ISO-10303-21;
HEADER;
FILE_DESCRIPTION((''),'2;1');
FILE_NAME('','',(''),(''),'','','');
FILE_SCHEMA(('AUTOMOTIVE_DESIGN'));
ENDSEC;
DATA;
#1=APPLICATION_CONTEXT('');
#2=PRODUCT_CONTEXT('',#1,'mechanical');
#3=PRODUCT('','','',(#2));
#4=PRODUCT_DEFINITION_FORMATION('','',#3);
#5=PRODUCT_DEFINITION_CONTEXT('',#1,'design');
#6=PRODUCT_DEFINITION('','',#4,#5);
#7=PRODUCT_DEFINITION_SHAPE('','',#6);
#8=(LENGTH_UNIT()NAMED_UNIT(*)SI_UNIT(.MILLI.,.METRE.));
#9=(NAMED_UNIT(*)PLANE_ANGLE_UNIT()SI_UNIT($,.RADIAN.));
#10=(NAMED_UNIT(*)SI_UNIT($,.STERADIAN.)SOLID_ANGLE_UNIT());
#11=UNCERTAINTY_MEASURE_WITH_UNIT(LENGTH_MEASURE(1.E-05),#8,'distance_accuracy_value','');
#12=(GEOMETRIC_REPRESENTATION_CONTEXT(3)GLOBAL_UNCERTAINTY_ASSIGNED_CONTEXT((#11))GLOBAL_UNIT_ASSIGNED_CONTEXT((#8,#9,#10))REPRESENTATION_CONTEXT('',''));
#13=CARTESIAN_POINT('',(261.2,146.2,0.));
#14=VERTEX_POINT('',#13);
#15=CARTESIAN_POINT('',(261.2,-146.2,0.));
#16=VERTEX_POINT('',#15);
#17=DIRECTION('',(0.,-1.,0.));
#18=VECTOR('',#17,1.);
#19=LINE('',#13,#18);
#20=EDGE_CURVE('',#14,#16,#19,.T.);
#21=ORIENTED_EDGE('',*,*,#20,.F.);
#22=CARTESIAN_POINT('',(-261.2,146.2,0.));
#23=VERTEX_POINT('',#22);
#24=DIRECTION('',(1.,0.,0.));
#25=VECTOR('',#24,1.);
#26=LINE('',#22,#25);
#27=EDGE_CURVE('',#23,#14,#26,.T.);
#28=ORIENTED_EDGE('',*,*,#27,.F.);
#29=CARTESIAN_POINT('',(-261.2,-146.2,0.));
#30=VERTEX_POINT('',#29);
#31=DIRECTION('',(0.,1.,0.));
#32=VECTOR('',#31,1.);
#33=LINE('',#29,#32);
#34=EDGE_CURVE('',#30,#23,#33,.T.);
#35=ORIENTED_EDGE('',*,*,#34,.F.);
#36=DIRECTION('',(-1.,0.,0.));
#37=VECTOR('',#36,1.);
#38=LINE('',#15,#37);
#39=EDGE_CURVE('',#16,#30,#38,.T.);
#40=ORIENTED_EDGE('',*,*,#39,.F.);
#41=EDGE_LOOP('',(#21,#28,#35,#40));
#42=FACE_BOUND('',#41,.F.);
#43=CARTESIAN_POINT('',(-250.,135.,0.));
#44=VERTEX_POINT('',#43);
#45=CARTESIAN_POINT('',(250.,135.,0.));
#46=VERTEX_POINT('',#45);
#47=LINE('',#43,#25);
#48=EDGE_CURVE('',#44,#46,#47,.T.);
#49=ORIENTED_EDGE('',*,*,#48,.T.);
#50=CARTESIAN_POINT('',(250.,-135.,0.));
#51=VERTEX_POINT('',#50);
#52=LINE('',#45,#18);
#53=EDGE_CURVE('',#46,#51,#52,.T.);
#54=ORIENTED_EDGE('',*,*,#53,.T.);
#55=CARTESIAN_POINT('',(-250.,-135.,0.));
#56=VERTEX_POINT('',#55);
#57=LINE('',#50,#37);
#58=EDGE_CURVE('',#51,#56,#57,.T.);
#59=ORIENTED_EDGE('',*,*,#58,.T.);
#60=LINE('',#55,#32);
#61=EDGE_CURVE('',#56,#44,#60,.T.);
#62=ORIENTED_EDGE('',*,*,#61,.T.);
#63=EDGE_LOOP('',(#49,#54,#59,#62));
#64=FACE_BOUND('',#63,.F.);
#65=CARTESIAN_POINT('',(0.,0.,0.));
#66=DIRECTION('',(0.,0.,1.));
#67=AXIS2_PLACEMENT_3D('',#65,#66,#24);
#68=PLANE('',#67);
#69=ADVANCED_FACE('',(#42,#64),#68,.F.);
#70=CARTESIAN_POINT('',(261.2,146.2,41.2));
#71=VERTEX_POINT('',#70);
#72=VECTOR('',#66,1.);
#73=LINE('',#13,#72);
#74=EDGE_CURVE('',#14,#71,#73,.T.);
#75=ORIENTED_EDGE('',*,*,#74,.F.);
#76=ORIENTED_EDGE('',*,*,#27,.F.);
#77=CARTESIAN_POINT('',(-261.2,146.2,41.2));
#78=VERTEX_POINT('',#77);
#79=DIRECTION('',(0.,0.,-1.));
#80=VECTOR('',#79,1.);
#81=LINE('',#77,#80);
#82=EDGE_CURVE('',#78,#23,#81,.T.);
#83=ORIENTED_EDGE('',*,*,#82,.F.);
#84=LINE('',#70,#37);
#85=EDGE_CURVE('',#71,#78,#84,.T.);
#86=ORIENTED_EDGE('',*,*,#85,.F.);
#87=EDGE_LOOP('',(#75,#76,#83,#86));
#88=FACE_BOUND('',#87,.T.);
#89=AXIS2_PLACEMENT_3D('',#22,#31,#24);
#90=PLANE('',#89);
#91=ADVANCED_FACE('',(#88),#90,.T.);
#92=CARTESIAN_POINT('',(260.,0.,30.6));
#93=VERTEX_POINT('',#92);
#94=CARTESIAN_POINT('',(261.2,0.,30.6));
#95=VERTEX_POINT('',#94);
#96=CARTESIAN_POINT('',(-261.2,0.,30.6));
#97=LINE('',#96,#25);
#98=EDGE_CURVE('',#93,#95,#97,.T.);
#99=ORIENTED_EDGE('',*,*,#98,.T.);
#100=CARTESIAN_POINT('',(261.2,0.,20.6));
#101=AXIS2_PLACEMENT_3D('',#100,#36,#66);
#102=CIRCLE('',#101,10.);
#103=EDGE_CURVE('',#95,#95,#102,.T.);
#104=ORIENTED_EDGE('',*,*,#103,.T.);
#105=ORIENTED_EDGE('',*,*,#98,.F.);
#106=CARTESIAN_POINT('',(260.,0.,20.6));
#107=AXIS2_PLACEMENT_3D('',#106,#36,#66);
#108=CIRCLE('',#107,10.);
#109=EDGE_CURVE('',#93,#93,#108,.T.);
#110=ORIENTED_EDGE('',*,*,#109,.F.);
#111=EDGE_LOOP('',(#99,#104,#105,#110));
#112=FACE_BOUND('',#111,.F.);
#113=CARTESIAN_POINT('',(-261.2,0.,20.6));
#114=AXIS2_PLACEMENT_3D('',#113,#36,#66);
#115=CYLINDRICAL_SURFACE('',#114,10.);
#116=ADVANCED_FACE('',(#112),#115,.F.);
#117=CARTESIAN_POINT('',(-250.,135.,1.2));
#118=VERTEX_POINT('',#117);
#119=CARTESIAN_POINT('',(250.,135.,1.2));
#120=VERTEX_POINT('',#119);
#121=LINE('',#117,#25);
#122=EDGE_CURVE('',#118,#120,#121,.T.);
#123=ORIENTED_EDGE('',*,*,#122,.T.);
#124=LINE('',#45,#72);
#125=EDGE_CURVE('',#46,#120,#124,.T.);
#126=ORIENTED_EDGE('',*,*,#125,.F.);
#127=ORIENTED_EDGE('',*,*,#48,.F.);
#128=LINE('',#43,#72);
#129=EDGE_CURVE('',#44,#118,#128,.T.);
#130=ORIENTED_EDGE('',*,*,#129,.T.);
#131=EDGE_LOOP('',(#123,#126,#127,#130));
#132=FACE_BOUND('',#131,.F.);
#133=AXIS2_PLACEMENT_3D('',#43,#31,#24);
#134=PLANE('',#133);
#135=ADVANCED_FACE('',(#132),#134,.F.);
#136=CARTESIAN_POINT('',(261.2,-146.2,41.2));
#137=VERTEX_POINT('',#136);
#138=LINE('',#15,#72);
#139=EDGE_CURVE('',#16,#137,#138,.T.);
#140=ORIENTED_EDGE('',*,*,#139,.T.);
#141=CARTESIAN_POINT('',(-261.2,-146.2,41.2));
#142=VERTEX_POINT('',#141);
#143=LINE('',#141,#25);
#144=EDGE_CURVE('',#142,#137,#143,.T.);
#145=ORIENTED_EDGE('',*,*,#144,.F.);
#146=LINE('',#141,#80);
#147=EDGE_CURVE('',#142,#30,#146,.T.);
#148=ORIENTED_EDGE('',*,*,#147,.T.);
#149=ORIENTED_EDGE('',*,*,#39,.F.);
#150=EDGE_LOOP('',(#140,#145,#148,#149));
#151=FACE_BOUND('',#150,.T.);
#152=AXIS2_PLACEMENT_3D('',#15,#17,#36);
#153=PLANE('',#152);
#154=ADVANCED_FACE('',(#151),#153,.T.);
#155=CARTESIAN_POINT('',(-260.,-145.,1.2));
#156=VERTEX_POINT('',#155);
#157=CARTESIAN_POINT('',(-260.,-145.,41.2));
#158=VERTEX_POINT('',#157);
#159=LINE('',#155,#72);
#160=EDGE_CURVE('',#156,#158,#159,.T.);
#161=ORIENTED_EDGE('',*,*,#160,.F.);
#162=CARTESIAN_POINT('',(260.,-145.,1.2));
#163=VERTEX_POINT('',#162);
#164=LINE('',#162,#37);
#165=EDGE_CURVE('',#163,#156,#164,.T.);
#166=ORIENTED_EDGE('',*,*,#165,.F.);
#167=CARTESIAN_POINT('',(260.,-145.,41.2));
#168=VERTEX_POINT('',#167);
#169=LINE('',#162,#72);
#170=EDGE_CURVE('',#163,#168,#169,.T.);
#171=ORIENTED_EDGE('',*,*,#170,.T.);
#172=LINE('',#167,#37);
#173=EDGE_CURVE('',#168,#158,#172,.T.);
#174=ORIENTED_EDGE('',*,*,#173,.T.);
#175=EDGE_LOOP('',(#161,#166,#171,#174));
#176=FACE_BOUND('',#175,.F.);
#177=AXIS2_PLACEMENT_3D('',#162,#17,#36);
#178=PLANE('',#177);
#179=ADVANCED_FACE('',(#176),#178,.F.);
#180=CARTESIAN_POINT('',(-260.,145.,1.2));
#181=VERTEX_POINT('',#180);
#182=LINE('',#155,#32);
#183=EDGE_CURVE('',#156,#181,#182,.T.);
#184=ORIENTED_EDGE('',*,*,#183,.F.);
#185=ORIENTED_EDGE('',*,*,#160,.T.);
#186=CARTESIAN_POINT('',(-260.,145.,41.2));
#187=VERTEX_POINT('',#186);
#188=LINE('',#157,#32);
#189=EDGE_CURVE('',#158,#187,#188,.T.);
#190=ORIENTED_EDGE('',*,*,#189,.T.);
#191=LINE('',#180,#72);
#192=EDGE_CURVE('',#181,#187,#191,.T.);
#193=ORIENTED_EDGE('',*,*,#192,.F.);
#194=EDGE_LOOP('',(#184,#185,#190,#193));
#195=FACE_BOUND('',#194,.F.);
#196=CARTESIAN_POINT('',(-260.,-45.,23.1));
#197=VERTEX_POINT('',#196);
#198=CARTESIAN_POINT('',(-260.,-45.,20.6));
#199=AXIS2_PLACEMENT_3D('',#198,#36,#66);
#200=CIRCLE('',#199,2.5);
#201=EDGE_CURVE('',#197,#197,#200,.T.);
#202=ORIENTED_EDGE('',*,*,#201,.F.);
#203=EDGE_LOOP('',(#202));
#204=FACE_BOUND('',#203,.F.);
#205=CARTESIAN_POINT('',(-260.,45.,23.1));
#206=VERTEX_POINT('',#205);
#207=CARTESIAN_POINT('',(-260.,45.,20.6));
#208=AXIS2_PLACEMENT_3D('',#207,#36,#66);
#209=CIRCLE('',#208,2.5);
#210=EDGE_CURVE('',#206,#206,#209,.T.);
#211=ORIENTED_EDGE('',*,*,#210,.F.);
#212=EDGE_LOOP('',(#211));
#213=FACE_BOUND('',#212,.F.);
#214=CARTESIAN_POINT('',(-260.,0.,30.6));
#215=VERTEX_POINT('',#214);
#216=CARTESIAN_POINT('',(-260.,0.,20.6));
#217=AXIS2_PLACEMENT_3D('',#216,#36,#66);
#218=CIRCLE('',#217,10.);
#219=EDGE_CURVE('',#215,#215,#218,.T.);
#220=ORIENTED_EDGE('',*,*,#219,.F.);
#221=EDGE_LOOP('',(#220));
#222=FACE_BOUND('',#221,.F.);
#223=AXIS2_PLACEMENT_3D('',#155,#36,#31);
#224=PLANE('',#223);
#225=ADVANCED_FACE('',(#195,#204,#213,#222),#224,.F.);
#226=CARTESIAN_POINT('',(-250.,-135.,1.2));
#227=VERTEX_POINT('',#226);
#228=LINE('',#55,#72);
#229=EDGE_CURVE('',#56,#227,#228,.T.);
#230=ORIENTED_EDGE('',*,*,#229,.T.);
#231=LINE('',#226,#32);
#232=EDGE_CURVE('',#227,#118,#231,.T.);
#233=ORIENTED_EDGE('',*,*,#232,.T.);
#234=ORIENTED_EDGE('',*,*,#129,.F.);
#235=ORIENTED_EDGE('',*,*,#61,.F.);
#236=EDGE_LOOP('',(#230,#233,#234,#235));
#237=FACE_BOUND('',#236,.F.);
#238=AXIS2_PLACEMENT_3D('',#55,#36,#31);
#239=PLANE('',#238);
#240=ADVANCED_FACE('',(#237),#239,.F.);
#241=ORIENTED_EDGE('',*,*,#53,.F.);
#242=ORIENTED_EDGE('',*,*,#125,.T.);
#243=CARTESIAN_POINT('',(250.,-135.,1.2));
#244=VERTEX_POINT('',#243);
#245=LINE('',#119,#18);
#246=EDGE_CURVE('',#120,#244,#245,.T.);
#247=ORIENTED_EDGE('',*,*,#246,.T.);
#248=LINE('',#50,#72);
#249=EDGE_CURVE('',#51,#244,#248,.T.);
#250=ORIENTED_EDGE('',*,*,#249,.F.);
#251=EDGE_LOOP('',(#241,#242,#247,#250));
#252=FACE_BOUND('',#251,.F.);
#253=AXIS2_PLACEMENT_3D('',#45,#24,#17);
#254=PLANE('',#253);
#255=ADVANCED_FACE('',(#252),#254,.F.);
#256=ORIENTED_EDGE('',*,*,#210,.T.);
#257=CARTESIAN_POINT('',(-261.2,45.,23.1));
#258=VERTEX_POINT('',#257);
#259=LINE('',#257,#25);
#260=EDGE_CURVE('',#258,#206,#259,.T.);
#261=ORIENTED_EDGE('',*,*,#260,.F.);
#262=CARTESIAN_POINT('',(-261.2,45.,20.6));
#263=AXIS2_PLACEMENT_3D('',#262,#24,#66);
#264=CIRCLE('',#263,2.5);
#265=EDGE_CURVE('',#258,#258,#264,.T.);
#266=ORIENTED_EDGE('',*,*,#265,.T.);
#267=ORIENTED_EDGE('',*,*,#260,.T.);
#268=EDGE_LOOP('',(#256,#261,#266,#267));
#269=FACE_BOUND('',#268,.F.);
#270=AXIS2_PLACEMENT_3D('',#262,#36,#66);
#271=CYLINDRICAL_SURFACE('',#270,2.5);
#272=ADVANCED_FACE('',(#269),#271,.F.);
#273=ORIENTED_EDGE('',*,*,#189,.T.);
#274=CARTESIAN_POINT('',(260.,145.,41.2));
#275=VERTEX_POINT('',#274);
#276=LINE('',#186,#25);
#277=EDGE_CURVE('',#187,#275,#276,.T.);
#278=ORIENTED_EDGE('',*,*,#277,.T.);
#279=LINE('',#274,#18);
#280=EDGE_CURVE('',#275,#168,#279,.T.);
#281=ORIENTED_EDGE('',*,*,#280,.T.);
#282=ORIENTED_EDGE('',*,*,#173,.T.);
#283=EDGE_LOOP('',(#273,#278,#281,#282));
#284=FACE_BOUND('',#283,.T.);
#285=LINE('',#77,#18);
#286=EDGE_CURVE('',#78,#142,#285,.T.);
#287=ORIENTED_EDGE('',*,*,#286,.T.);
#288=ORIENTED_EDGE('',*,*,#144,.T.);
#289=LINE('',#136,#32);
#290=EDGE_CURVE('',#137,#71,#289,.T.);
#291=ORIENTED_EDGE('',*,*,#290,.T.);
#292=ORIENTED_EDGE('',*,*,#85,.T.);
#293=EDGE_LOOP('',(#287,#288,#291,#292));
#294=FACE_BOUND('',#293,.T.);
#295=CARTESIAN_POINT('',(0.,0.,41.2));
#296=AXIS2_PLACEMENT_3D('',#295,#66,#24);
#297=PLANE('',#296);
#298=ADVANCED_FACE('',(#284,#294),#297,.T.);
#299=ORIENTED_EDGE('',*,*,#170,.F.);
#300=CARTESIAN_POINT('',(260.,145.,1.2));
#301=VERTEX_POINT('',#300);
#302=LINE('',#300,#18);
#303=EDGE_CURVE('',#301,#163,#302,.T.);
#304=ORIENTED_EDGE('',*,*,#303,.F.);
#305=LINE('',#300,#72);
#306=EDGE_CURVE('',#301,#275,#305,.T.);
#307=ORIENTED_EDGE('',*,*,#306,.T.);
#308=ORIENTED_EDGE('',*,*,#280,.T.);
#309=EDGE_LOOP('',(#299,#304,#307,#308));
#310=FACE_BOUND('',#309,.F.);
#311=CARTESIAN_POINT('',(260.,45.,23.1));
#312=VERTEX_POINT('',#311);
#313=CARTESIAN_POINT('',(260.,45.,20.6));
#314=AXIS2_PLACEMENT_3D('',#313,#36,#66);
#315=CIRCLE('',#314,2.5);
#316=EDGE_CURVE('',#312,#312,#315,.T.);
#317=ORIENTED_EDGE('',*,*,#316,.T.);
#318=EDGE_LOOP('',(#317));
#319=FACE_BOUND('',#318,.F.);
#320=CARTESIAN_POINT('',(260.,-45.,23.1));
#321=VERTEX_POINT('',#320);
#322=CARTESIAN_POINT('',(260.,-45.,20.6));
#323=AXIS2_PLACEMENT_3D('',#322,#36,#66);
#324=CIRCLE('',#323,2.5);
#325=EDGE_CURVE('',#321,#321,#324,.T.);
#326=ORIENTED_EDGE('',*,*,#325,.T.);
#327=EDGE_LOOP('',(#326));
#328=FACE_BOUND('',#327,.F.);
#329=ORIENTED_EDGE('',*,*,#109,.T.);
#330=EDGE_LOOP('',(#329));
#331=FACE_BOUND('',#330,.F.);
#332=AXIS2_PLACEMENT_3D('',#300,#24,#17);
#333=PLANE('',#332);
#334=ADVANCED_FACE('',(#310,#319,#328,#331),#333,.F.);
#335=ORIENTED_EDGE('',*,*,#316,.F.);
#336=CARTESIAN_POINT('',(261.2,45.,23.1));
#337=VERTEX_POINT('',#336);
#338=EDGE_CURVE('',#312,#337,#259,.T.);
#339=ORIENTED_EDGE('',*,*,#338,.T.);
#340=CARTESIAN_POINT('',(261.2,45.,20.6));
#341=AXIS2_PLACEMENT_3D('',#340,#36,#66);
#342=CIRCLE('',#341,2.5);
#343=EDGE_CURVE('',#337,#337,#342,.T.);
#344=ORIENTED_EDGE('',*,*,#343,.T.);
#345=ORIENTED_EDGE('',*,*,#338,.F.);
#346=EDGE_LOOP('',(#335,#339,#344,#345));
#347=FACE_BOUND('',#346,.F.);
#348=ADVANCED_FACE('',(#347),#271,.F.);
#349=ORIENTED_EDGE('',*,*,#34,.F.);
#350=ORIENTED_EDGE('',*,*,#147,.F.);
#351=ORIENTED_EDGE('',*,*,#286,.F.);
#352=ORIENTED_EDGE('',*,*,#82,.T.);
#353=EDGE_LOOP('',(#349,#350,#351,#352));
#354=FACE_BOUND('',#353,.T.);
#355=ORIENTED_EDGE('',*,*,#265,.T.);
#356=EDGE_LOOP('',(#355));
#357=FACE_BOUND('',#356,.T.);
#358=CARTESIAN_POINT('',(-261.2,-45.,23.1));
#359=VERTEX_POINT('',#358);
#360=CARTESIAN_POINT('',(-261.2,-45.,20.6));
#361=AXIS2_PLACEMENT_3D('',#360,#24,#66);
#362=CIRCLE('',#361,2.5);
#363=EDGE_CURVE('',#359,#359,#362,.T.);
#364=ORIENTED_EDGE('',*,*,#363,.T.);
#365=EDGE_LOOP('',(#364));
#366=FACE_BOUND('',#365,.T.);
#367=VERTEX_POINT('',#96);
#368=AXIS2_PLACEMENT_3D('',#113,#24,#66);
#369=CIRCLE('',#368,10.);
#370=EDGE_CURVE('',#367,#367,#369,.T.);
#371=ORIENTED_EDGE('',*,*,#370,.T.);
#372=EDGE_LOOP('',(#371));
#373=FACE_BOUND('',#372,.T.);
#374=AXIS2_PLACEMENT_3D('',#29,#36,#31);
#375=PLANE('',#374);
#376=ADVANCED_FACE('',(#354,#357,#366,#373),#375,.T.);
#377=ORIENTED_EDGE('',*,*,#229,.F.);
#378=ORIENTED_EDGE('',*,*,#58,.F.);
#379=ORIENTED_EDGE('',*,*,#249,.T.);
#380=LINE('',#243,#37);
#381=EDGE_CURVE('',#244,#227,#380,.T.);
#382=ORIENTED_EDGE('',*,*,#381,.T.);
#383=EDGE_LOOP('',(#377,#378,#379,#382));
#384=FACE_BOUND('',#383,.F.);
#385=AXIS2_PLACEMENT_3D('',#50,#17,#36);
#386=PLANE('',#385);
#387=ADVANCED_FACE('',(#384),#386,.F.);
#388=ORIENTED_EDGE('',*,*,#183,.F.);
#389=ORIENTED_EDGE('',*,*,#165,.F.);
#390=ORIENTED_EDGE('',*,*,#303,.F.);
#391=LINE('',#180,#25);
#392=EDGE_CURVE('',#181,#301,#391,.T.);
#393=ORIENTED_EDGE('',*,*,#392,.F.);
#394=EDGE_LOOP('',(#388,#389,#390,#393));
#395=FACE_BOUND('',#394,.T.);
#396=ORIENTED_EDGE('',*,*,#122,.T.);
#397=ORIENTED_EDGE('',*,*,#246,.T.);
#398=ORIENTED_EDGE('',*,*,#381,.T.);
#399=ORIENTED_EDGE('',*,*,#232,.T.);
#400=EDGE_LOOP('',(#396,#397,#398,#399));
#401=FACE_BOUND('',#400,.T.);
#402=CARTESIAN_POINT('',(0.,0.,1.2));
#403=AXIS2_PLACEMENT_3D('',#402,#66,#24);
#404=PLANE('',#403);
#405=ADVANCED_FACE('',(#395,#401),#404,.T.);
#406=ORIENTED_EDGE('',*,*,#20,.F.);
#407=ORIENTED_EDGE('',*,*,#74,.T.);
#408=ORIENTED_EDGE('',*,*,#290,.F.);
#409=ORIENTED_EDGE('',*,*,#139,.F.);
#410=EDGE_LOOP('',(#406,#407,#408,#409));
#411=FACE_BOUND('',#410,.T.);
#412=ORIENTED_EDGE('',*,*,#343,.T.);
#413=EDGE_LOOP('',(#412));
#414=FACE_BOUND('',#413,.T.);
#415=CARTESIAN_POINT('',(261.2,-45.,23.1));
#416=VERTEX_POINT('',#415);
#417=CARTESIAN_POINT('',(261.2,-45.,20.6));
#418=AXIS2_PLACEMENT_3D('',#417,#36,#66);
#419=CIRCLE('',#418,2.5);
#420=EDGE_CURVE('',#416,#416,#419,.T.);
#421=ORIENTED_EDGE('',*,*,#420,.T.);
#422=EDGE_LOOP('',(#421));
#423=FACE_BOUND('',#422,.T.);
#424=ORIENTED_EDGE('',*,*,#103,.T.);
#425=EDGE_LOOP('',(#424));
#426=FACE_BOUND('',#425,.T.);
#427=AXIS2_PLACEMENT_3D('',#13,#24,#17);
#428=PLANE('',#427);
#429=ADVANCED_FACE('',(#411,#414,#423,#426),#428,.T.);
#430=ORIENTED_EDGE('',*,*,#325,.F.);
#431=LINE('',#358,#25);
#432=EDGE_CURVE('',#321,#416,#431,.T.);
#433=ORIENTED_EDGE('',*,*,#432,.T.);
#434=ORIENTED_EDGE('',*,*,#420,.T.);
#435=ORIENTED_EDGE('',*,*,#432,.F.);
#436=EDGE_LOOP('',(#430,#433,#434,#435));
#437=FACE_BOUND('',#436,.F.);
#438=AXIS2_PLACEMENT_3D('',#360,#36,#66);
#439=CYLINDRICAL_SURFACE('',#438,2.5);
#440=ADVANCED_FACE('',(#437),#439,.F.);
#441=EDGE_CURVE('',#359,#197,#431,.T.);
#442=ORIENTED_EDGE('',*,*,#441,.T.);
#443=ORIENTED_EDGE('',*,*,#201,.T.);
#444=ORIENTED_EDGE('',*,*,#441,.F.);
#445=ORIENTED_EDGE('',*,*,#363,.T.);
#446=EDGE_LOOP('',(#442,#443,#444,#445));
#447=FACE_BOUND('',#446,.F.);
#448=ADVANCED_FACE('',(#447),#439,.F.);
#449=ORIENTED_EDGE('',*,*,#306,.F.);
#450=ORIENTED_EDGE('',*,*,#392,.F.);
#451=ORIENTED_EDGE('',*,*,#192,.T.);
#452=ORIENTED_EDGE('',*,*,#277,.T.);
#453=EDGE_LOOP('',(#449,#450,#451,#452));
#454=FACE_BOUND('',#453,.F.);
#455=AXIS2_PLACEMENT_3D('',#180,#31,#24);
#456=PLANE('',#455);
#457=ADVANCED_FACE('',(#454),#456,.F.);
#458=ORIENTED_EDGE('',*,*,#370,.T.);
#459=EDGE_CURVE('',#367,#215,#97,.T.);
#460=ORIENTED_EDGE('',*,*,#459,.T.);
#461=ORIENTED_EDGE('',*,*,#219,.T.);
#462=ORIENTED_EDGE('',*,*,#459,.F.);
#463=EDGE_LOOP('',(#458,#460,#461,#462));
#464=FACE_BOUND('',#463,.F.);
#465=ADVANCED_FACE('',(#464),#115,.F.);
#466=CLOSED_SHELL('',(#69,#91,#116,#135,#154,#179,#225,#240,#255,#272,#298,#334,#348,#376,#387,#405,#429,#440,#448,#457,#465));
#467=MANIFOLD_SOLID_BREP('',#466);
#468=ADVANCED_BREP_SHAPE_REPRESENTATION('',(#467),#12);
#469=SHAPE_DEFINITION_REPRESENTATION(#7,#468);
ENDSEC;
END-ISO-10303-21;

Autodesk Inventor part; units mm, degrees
ref_plane "YZ Plane" through (0, 0, 0) normal (1, 0, 0) x (0, 1, 0)
ref_plane "XZ Plane" through (0, 0, 0) normal (0, 1, 0) x (-1, 0, 0)
ref_plane "XY Plane" through (0, 0, 0) normal (0, 0, 1) x (1, 0, 0)
sketch "Boceto1" plane through (0, 0, 0) normal (0, 0, 1) x (1, 0, 0)
  line L0 (261.2, -146.2) -> (-261.2, -146.2)
  line L1 (-261.2, -146.2) -> (-261.2, 146.2)
  line L2 (-261.2, 146.2) -> (261.2, 146.2)
  line L3 (261.2, 146.2) -> (261.2, -146.2)
  line L4 (261.2, -146.2) -> (-261.2, 146.2) construction
  line L5 (-261.2, -146.2) -> (261.2, 146.2) construction
  line L6 (250, -135) -> (-250, -135)
  line L7 (-250, -135) -> (-250, 135)
  line L8 (-250, 135) -> (250, 135)
  line L9 (250, 135) -> (250, -135)
  line L10 (250, -135) -> (-250, 135) construction
  line L11 (-250, -135) -> (250, 135) construction
  point P0 (0, 0)
  dimension "d0" = 522.4
  dimension "d1" = 292.4
  dimension "d2" = 500
  dimension "d3" = 270
extrude "Extrusión1" add sketch "Boceto1" along normal blind 1.2
sketch "Boceto2" plane through (0, 0, 1.2) normal (0, 0, 1) x (1, 0, 0)
  line L0 (261.2, 146.2) -> (-261.2, 146.2) projected
  line L1 (-261.2, 146.2) -> (-261.2, -146.2) projected
  line L2 (261.2, -146.2) -> (261.2, 146.2) projected
  line L3 (-261.2, -146.2) -> (261.2, -146.2) projected
  line L4 (-260, 145) -> (260, 145)
  line L5 (260, 145) -> (260, -145)
  line L6 (260, -145) -> (-260, -145)
  line L7 (-260, -145) -> (-260, 145)
  point P0 (0, 0)
  dimension "d6" = 1.2
extrude "Extrusión2" add sketch "Boceto2" along normal blind 40
sketch "Boceto3" plane through (-261.2, -146.2, 0) normal (-1, 0, 0) x (0, 0, 1)
  line L0 (41.2, 292.4) -> (41.2, 0) projected
  line L1 (0, 292.4) -> (0, 0) projected
  line L2 (0, 0) -> (41.2, 0) projected
  line L3 (41.2, 292.4) -> (41.2, 0) projected
  line L4 (0, 292.4) -> (41.2, 292.4) projected
  circle A0 centre (20.6, 146.2) radius 10
  line L5 (10.6, 191.2) -> (30.6, 191.2)
  line L6 (30.6, 191.2) -> (30.6, 101.2)
  line L7 (30.6, 101.2) -> (10.6, 101.2)
  line L8 (10.6, 101.2) -> (10.6, 191.2)
  line L9 (10.6, 191.2) -> (30.6, 101.2) construction
  line L10 (30.6, 191.2) -> (10.6, 101.2) construction
  circle A1 centre (20.6, 191.2) radius 2.5
  circle A2 centre (20.6, 101.2) radius 2.5
  point P0 (0, 146.2)
  dimension "d9" = 20
  dimension "d12" = 90
  dimension "d13" = 5
  dimension "d14" = 5
extrude "Extrusión3" cut sketch "Boceto3" against normal blind 1000 contours A0
extrude "Extrusión4" cut sketch "Boceto3" against normal blind 1000 contours A1 L5 | L5 A1 | A2 L7 | L7 A2
properties part number "marco_ir"
